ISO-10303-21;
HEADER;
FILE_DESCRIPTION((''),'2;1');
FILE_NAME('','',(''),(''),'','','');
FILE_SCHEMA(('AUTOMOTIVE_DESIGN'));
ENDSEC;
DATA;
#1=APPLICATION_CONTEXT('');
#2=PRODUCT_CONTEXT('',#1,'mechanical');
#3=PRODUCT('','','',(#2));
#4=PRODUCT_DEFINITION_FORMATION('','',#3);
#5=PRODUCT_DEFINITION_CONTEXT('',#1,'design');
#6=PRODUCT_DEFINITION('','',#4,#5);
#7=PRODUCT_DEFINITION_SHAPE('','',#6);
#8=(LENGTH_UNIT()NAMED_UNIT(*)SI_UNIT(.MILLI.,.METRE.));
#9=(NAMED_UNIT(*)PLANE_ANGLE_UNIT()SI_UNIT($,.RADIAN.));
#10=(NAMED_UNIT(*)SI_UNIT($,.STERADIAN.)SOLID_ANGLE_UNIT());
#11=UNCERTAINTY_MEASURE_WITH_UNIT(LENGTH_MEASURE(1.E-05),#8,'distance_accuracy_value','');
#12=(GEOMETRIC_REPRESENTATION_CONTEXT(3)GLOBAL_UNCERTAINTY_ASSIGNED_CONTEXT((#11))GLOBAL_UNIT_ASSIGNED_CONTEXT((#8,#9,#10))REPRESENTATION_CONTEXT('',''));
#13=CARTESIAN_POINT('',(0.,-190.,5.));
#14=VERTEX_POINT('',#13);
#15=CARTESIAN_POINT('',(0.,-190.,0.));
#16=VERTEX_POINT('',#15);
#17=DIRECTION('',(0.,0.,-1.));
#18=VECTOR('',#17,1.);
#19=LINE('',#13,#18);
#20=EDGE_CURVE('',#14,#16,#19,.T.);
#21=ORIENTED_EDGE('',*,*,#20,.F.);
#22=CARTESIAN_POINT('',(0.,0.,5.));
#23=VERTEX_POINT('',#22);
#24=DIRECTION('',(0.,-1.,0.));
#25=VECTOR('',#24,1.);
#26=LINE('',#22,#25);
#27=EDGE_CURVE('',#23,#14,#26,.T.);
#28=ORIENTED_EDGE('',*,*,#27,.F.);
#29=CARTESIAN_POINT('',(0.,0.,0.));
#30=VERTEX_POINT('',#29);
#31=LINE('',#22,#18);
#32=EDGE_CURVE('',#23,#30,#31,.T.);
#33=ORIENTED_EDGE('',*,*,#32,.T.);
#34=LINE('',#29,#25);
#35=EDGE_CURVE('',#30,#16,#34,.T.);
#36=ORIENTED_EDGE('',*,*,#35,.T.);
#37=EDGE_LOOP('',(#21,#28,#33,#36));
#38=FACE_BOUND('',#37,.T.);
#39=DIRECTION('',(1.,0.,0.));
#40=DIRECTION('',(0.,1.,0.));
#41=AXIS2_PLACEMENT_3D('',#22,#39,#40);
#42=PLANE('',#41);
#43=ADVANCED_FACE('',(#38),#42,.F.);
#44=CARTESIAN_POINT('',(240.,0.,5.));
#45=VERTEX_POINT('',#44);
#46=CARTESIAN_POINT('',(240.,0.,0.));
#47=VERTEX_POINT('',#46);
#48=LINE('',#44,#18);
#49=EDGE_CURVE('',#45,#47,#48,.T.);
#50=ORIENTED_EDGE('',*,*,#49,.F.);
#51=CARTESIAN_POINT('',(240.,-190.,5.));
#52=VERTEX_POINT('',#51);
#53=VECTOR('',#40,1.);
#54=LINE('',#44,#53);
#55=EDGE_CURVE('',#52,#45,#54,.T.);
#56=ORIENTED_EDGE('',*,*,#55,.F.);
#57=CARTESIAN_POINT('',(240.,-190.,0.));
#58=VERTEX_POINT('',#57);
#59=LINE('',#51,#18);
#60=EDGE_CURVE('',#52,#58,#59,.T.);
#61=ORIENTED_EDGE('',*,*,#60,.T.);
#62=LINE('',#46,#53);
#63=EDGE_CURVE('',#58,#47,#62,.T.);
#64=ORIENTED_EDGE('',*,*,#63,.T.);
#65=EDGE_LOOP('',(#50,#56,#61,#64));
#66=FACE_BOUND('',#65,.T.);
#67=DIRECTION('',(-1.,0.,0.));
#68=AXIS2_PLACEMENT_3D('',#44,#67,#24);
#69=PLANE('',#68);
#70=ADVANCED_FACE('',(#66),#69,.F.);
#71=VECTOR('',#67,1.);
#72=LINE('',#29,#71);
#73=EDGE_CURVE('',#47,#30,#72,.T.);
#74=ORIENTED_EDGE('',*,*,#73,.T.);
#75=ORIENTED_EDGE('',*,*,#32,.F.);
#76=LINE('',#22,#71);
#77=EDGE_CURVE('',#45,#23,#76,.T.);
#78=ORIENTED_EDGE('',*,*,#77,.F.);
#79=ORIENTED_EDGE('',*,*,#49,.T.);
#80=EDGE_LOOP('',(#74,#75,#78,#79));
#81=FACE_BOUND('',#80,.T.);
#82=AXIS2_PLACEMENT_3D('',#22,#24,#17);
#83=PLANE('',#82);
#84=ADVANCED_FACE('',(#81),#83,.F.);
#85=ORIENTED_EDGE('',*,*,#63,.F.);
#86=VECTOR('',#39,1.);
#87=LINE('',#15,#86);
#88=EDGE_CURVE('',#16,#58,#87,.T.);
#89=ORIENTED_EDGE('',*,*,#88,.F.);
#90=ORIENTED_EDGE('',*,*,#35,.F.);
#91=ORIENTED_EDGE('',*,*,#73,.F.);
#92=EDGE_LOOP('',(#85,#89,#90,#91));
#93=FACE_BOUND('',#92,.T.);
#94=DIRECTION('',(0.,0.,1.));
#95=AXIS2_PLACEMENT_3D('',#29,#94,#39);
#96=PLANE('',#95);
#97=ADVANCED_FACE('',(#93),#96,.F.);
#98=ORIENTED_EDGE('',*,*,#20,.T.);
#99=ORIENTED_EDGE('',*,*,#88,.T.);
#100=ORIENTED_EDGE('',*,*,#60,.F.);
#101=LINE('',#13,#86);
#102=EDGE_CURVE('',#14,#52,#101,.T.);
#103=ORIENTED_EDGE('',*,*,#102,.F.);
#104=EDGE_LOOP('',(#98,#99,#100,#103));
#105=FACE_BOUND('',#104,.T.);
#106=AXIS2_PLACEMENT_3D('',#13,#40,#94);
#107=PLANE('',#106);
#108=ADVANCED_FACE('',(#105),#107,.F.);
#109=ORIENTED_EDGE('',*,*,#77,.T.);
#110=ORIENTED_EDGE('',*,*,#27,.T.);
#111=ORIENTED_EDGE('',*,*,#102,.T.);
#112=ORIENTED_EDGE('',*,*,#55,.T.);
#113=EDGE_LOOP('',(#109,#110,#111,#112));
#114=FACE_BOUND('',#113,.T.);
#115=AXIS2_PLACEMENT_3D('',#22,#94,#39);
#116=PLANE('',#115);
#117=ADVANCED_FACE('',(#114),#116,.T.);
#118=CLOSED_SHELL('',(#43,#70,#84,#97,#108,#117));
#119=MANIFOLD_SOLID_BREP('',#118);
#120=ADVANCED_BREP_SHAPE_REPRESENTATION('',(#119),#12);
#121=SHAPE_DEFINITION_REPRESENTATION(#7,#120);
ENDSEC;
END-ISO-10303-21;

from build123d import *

# Parameters (mm, degrees)
ESQUISSE1_W        = 240
ESQUISSE1_H        = 190
BOSS_EXTRU_1_DEPTH = 5


with BuildPart() as part:
    # Esquisse1 → Boss.-Extru.1 (new body)
    with BuildSketch(Plane.XY):
        with Locations((120, -95)):
            Rectangle(ESQUISSE1_W, ESQUISSE1_H)
    extrude(amount=BOSS_EXTRU_1_DEPTH)


solid = part.part
